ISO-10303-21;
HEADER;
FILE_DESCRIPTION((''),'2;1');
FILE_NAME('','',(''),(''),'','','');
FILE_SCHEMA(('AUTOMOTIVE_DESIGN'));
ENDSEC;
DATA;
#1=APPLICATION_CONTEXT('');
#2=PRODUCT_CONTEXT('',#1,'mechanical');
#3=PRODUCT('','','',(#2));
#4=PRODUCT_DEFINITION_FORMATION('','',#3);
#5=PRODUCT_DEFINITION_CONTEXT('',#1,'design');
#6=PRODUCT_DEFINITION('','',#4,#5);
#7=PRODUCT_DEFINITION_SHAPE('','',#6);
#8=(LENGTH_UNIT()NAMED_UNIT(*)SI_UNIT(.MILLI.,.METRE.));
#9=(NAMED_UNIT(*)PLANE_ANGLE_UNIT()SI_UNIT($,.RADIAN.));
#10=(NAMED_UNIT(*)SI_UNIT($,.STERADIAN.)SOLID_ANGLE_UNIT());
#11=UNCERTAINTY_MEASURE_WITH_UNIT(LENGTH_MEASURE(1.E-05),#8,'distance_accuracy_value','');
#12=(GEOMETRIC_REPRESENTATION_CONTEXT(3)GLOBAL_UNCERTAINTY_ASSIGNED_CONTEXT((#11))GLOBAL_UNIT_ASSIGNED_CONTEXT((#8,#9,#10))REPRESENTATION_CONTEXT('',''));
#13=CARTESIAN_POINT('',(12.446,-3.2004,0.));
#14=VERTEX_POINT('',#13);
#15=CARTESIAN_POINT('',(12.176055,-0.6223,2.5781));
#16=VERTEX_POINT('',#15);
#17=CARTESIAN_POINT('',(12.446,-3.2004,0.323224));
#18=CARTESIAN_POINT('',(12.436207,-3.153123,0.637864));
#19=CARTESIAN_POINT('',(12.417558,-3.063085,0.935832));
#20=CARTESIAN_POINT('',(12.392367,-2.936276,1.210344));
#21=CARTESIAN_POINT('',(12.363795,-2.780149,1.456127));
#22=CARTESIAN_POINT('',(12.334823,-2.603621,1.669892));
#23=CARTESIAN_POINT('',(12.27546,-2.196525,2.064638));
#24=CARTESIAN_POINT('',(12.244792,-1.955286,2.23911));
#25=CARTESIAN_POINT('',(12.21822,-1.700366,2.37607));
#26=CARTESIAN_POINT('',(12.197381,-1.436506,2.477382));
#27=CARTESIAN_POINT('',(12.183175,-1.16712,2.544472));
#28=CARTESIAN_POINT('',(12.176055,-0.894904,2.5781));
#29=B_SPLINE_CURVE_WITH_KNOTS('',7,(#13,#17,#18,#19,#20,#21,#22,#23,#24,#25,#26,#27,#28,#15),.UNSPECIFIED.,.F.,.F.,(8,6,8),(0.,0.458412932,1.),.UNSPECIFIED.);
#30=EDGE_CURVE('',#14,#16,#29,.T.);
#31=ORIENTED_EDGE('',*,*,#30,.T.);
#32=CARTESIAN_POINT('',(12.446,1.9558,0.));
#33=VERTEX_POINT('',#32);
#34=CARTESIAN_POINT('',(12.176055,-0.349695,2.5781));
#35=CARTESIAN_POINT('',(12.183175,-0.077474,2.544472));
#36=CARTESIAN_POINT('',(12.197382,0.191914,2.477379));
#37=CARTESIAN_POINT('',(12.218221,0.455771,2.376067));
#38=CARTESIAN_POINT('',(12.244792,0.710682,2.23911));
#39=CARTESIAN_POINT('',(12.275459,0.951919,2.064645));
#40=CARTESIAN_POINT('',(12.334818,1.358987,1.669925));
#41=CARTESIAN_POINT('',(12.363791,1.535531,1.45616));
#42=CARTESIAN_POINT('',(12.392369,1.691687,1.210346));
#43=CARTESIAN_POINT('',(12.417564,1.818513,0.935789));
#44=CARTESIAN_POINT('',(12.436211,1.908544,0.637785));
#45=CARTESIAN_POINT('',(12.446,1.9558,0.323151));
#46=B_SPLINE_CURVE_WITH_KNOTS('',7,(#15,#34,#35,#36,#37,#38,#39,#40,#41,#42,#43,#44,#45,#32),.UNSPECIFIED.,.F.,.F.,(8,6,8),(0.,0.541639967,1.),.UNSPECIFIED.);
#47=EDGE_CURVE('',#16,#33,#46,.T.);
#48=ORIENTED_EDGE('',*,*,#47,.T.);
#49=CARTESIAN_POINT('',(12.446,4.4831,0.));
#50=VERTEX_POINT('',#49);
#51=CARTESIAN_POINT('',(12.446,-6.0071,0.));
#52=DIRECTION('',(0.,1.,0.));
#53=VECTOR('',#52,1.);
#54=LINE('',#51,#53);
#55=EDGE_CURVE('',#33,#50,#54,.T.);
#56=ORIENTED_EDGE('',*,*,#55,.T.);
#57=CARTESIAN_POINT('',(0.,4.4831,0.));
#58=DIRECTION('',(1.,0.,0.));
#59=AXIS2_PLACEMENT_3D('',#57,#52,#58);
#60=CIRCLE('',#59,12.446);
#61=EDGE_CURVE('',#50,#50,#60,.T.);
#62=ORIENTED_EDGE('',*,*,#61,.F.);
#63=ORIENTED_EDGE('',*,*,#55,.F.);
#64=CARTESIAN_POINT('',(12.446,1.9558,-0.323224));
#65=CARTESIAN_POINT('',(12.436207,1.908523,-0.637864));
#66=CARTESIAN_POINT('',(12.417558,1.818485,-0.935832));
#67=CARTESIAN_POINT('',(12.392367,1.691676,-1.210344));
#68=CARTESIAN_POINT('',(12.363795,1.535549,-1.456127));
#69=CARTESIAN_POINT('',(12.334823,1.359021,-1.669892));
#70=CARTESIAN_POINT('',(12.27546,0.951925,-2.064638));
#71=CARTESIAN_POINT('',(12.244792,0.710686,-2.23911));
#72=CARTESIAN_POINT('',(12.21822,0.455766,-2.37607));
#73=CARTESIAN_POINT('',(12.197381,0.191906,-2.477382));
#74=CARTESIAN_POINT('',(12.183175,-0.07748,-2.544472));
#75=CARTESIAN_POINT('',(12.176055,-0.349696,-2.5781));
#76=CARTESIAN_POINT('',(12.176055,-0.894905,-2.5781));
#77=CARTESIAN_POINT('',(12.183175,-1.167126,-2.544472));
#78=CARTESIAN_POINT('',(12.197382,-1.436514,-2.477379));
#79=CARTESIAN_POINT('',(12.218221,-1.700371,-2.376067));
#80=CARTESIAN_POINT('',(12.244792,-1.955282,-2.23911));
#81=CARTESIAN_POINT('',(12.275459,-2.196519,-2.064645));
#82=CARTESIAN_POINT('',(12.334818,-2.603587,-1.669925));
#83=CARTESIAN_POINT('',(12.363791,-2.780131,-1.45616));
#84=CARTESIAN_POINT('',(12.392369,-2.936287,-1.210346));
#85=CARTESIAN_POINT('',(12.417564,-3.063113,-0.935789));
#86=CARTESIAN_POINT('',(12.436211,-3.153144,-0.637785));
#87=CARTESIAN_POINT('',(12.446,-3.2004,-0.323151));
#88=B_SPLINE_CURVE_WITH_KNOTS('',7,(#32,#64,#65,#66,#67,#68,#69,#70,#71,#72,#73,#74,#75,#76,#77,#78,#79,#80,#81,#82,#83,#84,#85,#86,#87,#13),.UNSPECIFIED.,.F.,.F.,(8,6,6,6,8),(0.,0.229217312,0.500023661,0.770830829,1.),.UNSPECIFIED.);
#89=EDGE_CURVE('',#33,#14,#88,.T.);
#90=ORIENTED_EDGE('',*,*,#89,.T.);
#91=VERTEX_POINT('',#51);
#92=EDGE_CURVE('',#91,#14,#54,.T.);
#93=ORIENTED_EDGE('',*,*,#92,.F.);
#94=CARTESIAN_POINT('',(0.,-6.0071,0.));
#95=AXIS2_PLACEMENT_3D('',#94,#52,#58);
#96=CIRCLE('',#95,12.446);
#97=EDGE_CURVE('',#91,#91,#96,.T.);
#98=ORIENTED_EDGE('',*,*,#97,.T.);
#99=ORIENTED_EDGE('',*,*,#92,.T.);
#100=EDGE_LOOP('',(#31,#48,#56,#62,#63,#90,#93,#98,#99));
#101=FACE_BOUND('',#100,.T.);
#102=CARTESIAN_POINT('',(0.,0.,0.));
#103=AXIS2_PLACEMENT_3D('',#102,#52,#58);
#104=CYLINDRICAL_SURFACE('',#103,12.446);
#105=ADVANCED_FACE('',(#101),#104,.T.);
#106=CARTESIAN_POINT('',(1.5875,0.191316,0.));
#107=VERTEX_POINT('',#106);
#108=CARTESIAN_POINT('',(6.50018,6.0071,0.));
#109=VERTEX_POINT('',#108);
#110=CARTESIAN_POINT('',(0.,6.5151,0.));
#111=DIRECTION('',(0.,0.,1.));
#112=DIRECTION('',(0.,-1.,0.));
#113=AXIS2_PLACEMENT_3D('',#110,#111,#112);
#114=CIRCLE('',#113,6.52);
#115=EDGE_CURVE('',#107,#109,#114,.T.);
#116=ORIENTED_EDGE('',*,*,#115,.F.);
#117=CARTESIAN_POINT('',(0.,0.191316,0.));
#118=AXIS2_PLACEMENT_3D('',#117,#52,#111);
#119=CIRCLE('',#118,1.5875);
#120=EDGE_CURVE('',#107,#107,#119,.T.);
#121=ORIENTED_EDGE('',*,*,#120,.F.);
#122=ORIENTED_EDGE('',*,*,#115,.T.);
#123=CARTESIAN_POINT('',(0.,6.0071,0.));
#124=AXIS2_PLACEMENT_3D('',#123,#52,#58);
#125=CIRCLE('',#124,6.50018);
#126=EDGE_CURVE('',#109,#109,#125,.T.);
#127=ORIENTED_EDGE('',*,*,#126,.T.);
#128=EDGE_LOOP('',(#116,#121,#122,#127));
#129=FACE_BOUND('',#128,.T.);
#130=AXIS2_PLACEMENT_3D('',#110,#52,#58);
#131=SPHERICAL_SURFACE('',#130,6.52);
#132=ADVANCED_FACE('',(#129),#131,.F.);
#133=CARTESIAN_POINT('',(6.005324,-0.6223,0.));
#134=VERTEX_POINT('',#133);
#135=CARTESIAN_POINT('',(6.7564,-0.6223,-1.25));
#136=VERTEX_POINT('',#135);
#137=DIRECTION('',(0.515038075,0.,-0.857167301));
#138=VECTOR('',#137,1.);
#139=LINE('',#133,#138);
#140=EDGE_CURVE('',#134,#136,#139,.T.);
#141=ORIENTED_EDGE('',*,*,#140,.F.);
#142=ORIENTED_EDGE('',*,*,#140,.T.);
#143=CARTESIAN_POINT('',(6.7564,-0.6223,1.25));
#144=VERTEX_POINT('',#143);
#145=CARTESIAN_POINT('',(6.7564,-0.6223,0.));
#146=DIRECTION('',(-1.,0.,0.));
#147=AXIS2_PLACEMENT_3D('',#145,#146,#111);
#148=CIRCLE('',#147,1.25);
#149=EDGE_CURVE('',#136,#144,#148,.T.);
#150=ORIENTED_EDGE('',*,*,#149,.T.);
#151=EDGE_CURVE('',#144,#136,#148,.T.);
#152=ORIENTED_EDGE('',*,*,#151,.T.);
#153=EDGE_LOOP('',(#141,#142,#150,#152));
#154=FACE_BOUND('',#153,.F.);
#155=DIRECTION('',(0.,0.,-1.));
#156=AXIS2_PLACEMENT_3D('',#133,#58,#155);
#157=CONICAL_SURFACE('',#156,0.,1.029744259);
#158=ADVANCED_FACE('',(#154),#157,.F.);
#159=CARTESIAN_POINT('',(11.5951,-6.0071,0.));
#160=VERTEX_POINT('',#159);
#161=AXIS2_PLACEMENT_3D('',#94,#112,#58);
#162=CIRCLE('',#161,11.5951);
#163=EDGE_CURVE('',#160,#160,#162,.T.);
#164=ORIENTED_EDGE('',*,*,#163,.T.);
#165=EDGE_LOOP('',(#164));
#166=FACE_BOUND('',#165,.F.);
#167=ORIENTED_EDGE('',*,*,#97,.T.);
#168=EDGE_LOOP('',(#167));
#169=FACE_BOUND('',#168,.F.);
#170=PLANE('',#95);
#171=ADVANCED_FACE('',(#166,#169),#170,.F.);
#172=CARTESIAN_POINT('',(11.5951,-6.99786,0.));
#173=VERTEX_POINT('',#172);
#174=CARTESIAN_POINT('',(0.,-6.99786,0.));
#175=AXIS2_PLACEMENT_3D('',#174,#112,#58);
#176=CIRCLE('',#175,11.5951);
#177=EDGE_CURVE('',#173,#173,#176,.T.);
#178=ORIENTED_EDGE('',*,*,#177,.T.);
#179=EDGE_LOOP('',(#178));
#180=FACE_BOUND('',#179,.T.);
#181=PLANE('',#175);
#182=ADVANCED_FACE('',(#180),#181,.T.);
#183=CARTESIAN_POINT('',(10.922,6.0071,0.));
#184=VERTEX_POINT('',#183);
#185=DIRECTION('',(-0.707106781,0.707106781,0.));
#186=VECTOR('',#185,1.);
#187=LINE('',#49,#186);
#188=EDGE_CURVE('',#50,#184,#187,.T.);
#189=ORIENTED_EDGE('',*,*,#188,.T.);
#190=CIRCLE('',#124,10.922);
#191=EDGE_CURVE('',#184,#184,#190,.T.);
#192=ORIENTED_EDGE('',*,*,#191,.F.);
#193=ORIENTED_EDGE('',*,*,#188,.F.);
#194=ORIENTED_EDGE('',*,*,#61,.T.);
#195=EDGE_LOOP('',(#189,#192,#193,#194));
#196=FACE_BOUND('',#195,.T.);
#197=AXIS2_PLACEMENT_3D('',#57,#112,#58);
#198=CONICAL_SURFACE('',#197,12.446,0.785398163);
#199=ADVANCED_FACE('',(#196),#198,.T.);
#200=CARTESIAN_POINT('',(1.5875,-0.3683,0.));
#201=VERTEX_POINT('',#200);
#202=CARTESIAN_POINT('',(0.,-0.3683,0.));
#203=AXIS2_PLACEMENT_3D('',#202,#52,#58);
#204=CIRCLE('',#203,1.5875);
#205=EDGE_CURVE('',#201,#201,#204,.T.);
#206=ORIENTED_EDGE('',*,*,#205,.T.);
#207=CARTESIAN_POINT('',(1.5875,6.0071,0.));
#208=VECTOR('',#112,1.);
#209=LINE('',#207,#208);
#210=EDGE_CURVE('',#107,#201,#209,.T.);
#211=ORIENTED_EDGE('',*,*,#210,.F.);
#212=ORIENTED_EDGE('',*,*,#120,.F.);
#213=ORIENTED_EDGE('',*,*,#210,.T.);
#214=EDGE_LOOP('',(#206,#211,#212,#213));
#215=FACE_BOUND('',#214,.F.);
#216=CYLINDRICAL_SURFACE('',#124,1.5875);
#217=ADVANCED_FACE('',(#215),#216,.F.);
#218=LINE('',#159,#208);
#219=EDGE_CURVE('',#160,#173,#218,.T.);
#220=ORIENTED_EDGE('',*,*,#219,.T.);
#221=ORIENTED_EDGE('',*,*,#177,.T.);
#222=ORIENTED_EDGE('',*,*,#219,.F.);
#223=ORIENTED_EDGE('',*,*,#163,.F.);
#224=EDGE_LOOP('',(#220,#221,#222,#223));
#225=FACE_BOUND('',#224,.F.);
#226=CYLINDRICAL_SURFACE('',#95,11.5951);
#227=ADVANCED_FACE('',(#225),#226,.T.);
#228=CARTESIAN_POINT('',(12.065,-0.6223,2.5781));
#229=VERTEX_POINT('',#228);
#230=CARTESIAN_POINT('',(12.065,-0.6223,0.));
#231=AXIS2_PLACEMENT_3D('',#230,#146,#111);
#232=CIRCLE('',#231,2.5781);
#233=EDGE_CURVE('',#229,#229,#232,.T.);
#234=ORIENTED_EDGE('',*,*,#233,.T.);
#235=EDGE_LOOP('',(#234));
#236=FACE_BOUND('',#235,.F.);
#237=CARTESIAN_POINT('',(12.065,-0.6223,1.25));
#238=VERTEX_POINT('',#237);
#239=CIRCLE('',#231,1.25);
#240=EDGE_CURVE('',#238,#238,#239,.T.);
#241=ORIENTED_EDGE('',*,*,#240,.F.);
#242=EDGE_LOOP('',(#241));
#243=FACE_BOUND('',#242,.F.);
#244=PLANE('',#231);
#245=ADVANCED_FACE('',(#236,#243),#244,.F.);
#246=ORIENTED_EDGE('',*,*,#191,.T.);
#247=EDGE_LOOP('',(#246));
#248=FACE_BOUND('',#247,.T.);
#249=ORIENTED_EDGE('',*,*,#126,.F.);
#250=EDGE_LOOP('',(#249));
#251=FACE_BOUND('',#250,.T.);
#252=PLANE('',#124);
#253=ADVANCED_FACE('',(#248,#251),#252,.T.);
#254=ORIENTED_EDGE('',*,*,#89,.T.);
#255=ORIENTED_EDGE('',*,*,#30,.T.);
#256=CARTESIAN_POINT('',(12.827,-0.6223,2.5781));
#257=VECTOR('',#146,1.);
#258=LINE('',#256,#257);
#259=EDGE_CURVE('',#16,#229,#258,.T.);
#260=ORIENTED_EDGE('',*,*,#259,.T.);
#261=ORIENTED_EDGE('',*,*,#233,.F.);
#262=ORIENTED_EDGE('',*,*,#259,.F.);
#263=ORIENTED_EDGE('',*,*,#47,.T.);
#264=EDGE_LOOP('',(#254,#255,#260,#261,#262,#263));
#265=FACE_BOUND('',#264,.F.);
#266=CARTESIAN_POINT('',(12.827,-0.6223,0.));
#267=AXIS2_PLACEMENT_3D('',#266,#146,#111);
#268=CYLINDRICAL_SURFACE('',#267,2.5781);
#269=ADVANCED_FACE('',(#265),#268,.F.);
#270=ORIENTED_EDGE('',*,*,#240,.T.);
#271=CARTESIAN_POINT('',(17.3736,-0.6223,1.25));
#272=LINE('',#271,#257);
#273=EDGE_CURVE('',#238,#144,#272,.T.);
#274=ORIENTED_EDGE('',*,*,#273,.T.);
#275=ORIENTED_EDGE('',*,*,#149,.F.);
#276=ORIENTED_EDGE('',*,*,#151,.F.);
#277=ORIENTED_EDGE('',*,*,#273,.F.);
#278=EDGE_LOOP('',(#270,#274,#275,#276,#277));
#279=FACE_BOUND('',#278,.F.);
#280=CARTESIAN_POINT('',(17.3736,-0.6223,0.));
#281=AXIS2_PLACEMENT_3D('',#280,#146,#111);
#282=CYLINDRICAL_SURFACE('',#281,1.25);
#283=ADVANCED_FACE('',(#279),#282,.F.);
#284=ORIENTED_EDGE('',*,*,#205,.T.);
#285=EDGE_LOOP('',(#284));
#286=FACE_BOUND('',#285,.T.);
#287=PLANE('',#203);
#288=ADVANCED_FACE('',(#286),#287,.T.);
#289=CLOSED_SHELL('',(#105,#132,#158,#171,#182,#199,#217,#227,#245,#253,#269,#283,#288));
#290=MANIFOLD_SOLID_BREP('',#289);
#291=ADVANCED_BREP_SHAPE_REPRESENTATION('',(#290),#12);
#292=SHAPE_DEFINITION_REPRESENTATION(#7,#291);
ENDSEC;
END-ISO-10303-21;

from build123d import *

# Parameters (mm, degrees)
SKETCH1_R                          = 12.446
EXTRUDE1_DEPTH                     = 6.0071
CHAMFER1_SIZE                      = 1.524
SKETCH2_R                          = 11.5951
EXTRUDE2_DEPTH                     = 0.99076
SKETCH3_R                          = 1.5875
EXTRUDE3_DEPTH                     = 6.3754
F_5_16_0_3125_DIAMETER_HOLE2_D     = 5.1562
F_5_16_0_3125_DIAMETER_HOLE2_DEPTH = 0.381
M3X0_5_TAPPED_HOLE1_D              = 2.5
M3X0_5_TAPPED_HOLE1_DEPTH          = 5.3086
M3X0_5_TAPPED_HOLE1_TIP            = 0.751075774


with BuildPart() as part:
    # Sketch1 → Extrude1 (new body, symmetric)
    with BuildSketch(Plane(origin=(0, 0, 0), x_dir=(1, 0, 0), z_dir=(0, 1, 0))):
        Circle(SKETCH1_R)
    extrude(amount=EXTRUDE1_DEPTH, both=True)

    # Chamfer1
    chamfer1_edges = [part.edges().sort_by_distance(p)[0] for p in [
        (-12.446, 6.0071, 0),
    ]]
    chamfer(chamfer1_edges, length=CHAMFER1_SIZE)

    # Sketch2 → Extrude2 (add)
    with BuildSketch(Plane.XZ.offset(6.0071)):
        Circle(SKETCH2_R)
    extrude(amount=EXTRUDE2_DEPTH)

    # Sketch3 → Extrude3 (cut)
    with BuildSketch(Plane(origin=(0, 6.0071, 0), x_dir=(1, 0, 0), z_dir=(0, 1, 0))):
        Circle(SKETCH3_R)
    extrude(amount=-EXTRUDE3_DEPTH, mode=Mode.SUBTRACT)

    # Sketch4 → Cut-Revolve1 (revolve, cut)
    with BuildSketch(Plane.XY):
        with BuildLine():
            Line((0, 13.035099954), (0, -0.004899954))
            ThreePointArc((0, -0.004899954), (6.519999954, 6.5151), (0, 13.035099954))
        make_face()
    revolve(axis=Axis((0, 13.035099954, 0), (0, -1, 0)), mode=Mode.SUBTRACT)

    # 5/16 (0.3125) Diameter Hole2
    with Locations(Plane(origin=(12.446, 0, 0), x_dir=(0, 0, -1), z_dir=(1, 0, 0))):
        with Locations((0, -0.6223)):
            Hole(F_5_16_0_3125_DIAMETER_HOLE2_D / 2, depth=F_5_16_0_3125_DIAMETER_HOLE2_DEPTH)

    # M3x0.5 Tapped Hole1
    with Locations(Plane(origin=(12.065, 0, 0), x_dir=(0, 0, -1), z_dir=(1, 0, 0))):
        with Locations((0, -0.6223)):
            Hole(M3X0_5_TAPPED_HOLE1_D / 2, depth=M3X0_5_TAPPED_HOLE1_DEPTH)
            with Locations((0, 0, -(M3X0_5_TAPPED_HOLE1_DEPTH + M3X0_5_TAPPED_HOLE1_TIP / 2))):  # 118° drill point
                Cone(0, M3X0_5_TAPPED_HOLE1_D / 2, M3X0_5_TAPPED_HOLE1_TIP, mode=Mode.SUBTRACT)


solid = part.part
